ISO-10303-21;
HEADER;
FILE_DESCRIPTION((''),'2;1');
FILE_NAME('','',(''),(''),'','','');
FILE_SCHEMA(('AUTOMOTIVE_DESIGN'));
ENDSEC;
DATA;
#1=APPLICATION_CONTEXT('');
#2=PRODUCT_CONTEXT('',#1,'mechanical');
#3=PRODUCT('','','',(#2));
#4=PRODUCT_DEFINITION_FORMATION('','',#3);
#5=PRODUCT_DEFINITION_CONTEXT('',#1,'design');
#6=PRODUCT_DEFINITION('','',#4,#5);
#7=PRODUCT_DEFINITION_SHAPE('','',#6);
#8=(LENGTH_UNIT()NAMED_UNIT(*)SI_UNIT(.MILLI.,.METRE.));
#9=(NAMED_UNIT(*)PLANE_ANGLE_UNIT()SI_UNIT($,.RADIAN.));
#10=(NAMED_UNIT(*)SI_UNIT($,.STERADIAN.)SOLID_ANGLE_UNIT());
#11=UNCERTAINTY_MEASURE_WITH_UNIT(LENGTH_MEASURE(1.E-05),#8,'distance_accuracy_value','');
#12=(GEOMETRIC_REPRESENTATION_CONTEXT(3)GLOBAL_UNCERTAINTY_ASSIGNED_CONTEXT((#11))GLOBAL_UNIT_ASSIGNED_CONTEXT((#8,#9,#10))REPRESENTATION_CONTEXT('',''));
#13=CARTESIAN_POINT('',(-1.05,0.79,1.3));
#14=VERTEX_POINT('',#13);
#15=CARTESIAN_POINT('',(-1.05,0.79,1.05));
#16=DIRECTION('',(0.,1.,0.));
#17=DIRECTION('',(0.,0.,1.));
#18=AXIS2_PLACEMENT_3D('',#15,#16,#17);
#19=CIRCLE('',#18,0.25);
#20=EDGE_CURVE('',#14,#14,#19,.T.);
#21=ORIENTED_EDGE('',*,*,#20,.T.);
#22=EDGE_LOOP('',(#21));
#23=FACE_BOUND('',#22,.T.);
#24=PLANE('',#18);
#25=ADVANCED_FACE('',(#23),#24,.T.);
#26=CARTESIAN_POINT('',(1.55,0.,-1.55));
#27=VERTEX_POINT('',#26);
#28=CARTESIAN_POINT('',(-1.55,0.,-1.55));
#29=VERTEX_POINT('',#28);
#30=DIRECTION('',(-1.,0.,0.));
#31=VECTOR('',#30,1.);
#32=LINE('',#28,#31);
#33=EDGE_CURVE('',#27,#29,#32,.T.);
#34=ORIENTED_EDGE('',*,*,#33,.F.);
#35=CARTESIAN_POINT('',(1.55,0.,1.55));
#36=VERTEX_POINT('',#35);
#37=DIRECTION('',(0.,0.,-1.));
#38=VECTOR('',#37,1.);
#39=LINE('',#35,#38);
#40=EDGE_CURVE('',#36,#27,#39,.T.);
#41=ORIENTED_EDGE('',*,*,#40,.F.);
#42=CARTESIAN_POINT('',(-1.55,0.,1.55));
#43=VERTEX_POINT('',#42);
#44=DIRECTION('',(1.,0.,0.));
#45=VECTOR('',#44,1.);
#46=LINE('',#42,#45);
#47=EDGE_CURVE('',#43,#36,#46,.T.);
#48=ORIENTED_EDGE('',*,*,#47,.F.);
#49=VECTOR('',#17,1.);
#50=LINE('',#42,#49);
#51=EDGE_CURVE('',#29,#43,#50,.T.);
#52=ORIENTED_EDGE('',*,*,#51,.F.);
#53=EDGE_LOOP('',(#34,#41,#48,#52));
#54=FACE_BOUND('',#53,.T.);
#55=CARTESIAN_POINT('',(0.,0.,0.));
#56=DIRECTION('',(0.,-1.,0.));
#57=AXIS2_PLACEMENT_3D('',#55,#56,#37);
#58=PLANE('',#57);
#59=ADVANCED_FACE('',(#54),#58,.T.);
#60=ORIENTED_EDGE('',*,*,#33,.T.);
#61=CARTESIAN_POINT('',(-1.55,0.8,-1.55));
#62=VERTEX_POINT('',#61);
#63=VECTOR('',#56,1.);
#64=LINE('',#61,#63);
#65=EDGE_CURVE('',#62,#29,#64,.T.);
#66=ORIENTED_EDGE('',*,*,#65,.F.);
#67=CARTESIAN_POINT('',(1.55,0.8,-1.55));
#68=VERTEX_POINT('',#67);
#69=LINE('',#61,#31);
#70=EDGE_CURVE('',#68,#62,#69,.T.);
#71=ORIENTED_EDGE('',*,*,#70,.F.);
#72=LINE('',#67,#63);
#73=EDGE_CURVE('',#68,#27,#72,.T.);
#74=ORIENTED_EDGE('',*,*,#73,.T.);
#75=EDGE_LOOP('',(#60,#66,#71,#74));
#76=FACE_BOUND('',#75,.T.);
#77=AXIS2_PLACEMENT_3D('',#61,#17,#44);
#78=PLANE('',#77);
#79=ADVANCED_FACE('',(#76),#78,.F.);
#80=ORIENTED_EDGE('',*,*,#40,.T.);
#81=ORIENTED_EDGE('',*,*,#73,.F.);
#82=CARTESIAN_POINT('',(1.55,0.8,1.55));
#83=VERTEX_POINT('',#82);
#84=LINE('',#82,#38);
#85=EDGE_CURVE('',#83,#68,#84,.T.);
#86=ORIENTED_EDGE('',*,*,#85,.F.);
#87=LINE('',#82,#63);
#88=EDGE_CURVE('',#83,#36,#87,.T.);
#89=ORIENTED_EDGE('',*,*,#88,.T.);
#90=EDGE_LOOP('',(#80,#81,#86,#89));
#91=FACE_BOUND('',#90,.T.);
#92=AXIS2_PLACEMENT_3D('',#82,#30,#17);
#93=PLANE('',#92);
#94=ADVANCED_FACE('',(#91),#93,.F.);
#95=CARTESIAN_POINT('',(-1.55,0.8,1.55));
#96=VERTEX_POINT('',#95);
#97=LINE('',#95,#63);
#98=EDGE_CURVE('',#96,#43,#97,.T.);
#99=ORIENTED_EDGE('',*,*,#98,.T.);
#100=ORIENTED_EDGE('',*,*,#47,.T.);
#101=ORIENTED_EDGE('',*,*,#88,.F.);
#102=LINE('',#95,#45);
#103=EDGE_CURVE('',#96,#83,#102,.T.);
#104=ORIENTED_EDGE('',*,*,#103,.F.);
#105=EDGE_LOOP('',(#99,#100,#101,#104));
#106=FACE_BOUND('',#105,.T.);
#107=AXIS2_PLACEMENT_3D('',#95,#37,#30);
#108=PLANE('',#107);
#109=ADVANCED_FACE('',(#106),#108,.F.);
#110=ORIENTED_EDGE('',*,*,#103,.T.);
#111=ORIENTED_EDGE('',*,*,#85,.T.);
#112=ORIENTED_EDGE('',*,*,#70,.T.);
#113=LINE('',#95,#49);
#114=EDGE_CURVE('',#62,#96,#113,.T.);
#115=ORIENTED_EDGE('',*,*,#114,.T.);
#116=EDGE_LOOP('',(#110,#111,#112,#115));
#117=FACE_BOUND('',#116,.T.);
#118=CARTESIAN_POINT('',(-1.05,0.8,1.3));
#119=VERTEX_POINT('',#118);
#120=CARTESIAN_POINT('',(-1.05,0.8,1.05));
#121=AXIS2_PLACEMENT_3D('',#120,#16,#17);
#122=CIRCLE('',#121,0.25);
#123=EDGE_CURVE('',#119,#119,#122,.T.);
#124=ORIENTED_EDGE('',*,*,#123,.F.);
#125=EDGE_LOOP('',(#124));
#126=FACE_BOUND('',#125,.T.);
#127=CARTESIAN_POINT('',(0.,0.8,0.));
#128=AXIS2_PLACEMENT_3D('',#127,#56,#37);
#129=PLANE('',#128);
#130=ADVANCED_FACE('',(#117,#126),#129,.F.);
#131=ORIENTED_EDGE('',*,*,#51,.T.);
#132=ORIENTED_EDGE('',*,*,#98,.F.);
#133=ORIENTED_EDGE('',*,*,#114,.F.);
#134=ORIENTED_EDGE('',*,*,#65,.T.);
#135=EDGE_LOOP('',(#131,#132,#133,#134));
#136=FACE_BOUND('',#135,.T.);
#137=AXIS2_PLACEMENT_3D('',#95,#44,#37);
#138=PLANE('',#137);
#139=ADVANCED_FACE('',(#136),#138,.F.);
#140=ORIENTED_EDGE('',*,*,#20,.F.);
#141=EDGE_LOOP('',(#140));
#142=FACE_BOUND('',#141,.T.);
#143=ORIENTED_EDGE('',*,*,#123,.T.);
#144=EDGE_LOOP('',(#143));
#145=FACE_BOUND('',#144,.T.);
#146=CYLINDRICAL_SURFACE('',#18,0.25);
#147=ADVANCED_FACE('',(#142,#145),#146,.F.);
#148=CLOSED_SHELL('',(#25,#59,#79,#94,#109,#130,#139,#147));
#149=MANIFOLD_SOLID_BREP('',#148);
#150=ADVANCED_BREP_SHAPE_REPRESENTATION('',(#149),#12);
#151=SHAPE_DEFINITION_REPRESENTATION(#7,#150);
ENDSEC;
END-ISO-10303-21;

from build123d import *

# Parameters (mm, degrees)
SKETCH1_W           = 3.1
SKETCH1_H           = 3.1
BOSS_EXTRUDE1_DEPTH = 0.8
SKETCH2_R           = 0.25
CUT_EXTRUDE1_DEPTH  = 0.01


with BuildPart() as part:
    # Sketch1 → Boss-Extrude1 (new body)
    with BuildSketch(Plane(origin=(0, 0, 0), x_dir=(1, 0, 0), z_dir=(0, 1, 0))):
        Rectangle(SKETCH1_W, SKETCH1_H)
    extrude(amount=BOSS_EXTRUDE1_DEPTH)

    # Sketch2 → Cut-Extrude1 (cut)
    with BuildSketch(Plane(origin=(0, 0.8, 0), x_dir=(1, 0, 0), z_dir=(0, 1, 0))):
        with Locations((-1.05, -1.05)):
            Circle(SKETCH2_R)
    extrude(amount=-CUT_EXTRUDE1_DEPTH, mode=Mode.SUBTRACT)


solid = part.part
